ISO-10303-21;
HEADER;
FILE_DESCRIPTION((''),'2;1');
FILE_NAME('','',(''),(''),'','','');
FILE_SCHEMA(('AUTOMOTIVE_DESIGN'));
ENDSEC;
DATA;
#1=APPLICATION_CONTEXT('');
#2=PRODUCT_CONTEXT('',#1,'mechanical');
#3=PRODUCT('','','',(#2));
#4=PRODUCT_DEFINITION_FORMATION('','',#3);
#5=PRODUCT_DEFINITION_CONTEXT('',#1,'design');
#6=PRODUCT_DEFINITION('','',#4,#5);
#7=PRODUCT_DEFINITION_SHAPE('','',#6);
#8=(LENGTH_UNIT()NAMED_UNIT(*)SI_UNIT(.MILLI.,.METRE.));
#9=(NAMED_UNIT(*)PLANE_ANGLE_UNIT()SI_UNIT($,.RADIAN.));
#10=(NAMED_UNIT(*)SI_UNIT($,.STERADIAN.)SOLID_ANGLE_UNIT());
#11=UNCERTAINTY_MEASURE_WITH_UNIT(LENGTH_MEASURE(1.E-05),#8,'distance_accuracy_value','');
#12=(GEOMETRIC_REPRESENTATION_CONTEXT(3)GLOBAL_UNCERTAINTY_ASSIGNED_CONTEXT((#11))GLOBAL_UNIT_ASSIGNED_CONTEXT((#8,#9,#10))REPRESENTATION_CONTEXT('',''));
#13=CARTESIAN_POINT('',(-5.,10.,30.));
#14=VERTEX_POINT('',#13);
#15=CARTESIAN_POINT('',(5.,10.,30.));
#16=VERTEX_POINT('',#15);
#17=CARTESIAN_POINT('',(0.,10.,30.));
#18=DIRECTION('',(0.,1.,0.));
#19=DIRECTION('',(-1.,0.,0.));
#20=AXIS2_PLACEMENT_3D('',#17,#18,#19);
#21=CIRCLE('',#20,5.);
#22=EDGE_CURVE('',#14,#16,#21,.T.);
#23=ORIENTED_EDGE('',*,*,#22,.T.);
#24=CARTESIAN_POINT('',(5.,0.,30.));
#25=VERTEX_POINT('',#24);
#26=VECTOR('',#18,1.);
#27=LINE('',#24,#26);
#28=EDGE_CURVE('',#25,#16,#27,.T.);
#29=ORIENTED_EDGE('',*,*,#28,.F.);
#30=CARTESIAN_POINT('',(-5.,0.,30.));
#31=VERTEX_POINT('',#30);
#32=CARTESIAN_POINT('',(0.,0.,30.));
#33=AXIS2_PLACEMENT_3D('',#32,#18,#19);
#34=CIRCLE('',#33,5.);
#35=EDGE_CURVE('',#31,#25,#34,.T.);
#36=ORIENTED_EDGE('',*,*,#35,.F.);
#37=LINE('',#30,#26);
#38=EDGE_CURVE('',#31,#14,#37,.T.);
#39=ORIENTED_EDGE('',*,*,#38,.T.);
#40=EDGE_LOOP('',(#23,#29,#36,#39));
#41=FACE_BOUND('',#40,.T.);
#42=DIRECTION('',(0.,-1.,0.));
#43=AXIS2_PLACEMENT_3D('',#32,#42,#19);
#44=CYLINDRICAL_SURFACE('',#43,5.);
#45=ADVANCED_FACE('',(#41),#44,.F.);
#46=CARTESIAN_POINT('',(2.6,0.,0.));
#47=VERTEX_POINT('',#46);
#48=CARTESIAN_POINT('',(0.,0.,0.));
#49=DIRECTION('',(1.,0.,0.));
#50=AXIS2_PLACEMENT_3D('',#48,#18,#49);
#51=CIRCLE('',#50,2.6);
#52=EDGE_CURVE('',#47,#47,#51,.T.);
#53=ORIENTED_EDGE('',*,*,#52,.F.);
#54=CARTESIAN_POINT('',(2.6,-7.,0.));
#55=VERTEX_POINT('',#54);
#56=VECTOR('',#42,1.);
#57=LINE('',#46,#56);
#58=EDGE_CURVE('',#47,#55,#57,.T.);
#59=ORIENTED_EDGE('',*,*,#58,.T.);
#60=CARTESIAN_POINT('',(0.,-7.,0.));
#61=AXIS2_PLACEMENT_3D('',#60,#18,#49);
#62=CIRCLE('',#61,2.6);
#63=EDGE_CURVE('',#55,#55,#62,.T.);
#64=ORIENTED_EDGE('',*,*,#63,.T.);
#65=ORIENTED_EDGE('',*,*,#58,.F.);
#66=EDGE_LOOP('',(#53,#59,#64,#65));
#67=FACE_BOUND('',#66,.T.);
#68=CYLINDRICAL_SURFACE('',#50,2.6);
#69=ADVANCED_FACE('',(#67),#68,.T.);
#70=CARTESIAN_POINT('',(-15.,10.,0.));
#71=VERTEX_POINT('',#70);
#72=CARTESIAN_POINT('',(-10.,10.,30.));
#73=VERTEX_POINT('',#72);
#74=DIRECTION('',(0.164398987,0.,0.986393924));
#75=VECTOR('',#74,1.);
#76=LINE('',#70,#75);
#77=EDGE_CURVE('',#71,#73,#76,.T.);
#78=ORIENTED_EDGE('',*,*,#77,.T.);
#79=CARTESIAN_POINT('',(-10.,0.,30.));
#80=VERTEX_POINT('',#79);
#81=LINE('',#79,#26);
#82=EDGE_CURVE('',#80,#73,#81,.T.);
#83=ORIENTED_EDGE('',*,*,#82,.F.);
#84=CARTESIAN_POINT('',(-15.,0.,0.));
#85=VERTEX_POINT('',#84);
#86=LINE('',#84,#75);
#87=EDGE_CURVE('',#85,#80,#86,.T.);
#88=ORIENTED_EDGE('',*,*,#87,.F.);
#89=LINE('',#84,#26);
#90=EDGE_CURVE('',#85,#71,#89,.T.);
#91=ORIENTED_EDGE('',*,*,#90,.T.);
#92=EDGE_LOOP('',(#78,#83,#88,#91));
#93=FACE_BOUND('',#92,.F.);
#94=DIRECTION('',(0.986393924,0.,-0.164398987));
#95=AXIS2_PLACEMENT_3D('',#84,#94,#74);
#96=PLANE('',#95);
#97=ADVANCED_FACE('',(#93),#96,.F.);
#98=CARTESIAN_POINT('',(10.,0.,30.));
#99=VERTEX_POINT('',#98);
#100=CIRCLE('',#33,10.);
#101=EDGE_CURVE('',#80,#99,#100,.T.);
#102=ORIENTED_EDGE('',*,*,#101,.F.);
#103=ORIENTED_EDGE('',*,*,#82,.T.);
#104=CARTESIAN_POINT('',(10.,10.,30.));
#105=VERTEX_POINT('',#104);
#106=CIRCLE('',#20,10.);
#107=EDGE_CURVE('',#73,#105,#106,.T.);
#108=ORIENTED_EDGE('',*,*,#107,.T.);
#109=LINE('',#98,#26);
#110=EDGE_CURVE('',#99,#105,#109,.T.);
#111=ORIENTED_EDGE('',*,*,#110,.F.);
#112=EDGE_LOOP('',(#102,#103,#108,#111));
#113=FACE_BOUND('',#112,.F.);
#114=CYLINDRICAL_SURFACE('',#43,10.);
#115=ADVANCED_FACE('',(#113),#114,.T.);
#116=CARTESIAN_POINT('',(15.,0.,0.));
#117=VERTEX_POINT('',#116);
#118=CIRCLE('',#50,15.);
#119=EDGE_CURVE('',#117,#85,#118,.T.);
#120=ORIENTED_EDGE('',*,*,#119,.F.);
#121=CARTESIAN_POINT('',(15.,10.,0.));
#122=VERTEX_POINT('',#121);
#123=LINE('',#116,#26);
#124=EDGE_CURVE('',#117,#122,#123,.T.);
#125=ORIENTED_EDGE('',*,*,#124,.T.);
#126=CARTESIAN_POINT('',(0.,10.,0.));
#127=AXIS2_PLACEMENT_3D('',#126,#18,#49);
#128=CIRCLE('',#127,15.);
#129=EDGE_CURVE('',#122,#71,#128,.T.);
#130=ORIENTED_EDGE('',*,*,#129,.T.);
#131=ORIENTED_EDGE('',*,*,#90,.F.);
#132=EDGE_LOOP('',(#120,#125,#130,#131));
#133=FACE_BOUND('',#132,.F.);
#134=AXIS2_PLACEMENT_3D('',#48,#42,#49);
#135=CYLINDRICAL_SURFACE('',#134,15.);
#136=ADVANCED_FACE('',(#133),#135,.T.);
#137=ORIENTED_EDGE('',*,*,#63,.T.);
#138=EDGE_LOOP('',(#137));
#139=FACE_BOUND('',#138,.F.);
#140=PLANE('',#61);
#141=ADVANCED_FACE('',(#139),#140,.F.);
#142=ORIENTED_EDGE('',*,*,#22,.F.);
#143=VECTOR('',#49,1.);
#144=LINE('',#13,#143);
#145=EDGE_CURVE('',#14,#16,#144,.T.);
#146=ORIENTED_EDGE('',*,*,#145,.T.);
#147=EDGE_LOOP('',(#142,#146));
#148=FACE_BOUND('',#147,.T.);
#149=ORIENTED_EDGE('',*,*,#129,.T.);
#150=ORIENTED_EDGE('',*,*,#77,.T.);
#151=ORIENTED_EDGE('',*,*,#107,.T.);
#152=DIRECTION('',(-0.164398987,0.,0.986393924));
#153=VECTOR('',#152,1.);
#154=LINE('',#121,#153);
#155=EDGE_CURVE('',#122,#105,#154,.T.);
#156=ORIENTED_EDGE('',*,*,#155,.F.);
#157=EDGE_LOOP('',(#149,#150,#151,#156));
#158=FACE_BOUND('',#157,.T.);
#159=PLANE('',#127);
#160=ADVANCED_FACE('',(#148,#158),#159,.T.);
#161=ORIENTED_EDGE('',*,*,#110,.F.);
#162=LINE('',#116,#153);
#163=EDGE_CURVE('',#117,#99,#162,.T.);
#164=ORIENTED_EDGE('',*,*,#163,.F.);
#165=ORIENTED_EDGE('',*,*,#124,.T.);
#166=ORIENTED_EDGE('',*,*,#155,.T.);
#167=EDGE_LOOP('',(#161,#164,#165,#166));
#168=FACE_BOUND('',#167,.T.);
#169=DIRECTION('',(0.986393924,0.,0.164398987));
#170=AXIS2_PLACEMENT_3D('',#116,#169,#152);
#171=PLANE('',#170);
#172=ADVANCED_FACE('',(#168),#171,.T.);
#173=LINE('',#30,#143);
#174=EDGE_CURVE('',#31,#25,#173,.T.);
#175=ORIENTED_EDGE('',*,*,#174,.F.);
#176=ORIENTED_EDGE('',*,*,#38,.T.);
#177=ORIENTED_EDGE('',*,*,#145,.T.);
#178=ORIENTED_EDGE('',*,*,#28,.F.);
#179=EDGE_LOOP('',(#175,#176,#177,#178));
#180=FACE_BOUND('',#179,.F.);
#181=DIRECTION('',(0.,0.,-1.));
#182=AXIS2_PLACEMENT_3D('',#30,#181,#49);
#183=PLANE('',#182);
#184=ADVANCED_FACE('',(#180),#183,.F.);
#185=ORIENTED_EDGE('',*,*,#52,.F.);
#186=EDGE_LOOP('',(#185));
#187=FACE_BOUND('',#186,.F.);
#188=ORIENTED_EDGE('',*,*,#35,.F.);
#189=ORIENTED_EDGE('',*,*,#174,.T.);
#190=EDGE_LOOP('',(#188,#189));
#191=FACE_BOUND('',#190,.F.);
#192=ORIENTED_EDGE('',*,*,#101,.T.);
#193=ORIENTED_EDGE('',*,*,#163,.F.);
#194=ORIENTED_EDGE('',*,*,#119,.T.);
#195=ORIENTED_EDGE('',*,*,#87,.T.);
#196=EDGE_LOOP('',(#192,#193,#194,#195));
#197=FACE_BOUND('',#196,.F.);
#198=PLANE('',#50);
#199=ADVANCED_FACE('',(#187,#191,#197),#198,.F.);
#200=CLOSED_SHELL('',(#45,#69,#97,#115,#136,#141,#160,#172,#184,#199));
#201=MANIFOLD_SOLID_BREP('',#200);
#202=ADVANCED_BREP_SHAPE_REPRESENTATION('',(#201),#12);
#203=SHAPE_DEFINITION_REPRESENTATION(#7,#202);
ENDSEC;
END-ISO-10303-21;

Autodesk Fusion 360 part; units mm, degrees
sketch "Sketch1" plane through (0, 0, 0) normal (0, 1, 0) x (1, 0, 0)
  circle A0 centre (0, 0) radius 2.6
  circle A1 centre (0, 0) radius 15 construction
  arc A2 (15, 0) -> (-15, 0) centre (0, 0) ccw
  line L0 (-15, 0) -> (-10, -30)
  line L1 (15, 0) -> (10, -30)
  arc A3 (-10, -30) -> (10, -30) centre (0, -30) ccw
  line L2 (-5, -30) -> (5, -30)
  arc A4 (-5, -30) -> (5, -30) centre (0, -30) ccw
  dimension "d1" = 5.2
  dimension "d2" = 30
extrude "Extrude1" add sketch "Sketch1" along normal blind 10 contours A0 | A2 L0 L1 A3
extrude "Extrude2" add sketch "Sketch1" against normal blind 7 contours A0
